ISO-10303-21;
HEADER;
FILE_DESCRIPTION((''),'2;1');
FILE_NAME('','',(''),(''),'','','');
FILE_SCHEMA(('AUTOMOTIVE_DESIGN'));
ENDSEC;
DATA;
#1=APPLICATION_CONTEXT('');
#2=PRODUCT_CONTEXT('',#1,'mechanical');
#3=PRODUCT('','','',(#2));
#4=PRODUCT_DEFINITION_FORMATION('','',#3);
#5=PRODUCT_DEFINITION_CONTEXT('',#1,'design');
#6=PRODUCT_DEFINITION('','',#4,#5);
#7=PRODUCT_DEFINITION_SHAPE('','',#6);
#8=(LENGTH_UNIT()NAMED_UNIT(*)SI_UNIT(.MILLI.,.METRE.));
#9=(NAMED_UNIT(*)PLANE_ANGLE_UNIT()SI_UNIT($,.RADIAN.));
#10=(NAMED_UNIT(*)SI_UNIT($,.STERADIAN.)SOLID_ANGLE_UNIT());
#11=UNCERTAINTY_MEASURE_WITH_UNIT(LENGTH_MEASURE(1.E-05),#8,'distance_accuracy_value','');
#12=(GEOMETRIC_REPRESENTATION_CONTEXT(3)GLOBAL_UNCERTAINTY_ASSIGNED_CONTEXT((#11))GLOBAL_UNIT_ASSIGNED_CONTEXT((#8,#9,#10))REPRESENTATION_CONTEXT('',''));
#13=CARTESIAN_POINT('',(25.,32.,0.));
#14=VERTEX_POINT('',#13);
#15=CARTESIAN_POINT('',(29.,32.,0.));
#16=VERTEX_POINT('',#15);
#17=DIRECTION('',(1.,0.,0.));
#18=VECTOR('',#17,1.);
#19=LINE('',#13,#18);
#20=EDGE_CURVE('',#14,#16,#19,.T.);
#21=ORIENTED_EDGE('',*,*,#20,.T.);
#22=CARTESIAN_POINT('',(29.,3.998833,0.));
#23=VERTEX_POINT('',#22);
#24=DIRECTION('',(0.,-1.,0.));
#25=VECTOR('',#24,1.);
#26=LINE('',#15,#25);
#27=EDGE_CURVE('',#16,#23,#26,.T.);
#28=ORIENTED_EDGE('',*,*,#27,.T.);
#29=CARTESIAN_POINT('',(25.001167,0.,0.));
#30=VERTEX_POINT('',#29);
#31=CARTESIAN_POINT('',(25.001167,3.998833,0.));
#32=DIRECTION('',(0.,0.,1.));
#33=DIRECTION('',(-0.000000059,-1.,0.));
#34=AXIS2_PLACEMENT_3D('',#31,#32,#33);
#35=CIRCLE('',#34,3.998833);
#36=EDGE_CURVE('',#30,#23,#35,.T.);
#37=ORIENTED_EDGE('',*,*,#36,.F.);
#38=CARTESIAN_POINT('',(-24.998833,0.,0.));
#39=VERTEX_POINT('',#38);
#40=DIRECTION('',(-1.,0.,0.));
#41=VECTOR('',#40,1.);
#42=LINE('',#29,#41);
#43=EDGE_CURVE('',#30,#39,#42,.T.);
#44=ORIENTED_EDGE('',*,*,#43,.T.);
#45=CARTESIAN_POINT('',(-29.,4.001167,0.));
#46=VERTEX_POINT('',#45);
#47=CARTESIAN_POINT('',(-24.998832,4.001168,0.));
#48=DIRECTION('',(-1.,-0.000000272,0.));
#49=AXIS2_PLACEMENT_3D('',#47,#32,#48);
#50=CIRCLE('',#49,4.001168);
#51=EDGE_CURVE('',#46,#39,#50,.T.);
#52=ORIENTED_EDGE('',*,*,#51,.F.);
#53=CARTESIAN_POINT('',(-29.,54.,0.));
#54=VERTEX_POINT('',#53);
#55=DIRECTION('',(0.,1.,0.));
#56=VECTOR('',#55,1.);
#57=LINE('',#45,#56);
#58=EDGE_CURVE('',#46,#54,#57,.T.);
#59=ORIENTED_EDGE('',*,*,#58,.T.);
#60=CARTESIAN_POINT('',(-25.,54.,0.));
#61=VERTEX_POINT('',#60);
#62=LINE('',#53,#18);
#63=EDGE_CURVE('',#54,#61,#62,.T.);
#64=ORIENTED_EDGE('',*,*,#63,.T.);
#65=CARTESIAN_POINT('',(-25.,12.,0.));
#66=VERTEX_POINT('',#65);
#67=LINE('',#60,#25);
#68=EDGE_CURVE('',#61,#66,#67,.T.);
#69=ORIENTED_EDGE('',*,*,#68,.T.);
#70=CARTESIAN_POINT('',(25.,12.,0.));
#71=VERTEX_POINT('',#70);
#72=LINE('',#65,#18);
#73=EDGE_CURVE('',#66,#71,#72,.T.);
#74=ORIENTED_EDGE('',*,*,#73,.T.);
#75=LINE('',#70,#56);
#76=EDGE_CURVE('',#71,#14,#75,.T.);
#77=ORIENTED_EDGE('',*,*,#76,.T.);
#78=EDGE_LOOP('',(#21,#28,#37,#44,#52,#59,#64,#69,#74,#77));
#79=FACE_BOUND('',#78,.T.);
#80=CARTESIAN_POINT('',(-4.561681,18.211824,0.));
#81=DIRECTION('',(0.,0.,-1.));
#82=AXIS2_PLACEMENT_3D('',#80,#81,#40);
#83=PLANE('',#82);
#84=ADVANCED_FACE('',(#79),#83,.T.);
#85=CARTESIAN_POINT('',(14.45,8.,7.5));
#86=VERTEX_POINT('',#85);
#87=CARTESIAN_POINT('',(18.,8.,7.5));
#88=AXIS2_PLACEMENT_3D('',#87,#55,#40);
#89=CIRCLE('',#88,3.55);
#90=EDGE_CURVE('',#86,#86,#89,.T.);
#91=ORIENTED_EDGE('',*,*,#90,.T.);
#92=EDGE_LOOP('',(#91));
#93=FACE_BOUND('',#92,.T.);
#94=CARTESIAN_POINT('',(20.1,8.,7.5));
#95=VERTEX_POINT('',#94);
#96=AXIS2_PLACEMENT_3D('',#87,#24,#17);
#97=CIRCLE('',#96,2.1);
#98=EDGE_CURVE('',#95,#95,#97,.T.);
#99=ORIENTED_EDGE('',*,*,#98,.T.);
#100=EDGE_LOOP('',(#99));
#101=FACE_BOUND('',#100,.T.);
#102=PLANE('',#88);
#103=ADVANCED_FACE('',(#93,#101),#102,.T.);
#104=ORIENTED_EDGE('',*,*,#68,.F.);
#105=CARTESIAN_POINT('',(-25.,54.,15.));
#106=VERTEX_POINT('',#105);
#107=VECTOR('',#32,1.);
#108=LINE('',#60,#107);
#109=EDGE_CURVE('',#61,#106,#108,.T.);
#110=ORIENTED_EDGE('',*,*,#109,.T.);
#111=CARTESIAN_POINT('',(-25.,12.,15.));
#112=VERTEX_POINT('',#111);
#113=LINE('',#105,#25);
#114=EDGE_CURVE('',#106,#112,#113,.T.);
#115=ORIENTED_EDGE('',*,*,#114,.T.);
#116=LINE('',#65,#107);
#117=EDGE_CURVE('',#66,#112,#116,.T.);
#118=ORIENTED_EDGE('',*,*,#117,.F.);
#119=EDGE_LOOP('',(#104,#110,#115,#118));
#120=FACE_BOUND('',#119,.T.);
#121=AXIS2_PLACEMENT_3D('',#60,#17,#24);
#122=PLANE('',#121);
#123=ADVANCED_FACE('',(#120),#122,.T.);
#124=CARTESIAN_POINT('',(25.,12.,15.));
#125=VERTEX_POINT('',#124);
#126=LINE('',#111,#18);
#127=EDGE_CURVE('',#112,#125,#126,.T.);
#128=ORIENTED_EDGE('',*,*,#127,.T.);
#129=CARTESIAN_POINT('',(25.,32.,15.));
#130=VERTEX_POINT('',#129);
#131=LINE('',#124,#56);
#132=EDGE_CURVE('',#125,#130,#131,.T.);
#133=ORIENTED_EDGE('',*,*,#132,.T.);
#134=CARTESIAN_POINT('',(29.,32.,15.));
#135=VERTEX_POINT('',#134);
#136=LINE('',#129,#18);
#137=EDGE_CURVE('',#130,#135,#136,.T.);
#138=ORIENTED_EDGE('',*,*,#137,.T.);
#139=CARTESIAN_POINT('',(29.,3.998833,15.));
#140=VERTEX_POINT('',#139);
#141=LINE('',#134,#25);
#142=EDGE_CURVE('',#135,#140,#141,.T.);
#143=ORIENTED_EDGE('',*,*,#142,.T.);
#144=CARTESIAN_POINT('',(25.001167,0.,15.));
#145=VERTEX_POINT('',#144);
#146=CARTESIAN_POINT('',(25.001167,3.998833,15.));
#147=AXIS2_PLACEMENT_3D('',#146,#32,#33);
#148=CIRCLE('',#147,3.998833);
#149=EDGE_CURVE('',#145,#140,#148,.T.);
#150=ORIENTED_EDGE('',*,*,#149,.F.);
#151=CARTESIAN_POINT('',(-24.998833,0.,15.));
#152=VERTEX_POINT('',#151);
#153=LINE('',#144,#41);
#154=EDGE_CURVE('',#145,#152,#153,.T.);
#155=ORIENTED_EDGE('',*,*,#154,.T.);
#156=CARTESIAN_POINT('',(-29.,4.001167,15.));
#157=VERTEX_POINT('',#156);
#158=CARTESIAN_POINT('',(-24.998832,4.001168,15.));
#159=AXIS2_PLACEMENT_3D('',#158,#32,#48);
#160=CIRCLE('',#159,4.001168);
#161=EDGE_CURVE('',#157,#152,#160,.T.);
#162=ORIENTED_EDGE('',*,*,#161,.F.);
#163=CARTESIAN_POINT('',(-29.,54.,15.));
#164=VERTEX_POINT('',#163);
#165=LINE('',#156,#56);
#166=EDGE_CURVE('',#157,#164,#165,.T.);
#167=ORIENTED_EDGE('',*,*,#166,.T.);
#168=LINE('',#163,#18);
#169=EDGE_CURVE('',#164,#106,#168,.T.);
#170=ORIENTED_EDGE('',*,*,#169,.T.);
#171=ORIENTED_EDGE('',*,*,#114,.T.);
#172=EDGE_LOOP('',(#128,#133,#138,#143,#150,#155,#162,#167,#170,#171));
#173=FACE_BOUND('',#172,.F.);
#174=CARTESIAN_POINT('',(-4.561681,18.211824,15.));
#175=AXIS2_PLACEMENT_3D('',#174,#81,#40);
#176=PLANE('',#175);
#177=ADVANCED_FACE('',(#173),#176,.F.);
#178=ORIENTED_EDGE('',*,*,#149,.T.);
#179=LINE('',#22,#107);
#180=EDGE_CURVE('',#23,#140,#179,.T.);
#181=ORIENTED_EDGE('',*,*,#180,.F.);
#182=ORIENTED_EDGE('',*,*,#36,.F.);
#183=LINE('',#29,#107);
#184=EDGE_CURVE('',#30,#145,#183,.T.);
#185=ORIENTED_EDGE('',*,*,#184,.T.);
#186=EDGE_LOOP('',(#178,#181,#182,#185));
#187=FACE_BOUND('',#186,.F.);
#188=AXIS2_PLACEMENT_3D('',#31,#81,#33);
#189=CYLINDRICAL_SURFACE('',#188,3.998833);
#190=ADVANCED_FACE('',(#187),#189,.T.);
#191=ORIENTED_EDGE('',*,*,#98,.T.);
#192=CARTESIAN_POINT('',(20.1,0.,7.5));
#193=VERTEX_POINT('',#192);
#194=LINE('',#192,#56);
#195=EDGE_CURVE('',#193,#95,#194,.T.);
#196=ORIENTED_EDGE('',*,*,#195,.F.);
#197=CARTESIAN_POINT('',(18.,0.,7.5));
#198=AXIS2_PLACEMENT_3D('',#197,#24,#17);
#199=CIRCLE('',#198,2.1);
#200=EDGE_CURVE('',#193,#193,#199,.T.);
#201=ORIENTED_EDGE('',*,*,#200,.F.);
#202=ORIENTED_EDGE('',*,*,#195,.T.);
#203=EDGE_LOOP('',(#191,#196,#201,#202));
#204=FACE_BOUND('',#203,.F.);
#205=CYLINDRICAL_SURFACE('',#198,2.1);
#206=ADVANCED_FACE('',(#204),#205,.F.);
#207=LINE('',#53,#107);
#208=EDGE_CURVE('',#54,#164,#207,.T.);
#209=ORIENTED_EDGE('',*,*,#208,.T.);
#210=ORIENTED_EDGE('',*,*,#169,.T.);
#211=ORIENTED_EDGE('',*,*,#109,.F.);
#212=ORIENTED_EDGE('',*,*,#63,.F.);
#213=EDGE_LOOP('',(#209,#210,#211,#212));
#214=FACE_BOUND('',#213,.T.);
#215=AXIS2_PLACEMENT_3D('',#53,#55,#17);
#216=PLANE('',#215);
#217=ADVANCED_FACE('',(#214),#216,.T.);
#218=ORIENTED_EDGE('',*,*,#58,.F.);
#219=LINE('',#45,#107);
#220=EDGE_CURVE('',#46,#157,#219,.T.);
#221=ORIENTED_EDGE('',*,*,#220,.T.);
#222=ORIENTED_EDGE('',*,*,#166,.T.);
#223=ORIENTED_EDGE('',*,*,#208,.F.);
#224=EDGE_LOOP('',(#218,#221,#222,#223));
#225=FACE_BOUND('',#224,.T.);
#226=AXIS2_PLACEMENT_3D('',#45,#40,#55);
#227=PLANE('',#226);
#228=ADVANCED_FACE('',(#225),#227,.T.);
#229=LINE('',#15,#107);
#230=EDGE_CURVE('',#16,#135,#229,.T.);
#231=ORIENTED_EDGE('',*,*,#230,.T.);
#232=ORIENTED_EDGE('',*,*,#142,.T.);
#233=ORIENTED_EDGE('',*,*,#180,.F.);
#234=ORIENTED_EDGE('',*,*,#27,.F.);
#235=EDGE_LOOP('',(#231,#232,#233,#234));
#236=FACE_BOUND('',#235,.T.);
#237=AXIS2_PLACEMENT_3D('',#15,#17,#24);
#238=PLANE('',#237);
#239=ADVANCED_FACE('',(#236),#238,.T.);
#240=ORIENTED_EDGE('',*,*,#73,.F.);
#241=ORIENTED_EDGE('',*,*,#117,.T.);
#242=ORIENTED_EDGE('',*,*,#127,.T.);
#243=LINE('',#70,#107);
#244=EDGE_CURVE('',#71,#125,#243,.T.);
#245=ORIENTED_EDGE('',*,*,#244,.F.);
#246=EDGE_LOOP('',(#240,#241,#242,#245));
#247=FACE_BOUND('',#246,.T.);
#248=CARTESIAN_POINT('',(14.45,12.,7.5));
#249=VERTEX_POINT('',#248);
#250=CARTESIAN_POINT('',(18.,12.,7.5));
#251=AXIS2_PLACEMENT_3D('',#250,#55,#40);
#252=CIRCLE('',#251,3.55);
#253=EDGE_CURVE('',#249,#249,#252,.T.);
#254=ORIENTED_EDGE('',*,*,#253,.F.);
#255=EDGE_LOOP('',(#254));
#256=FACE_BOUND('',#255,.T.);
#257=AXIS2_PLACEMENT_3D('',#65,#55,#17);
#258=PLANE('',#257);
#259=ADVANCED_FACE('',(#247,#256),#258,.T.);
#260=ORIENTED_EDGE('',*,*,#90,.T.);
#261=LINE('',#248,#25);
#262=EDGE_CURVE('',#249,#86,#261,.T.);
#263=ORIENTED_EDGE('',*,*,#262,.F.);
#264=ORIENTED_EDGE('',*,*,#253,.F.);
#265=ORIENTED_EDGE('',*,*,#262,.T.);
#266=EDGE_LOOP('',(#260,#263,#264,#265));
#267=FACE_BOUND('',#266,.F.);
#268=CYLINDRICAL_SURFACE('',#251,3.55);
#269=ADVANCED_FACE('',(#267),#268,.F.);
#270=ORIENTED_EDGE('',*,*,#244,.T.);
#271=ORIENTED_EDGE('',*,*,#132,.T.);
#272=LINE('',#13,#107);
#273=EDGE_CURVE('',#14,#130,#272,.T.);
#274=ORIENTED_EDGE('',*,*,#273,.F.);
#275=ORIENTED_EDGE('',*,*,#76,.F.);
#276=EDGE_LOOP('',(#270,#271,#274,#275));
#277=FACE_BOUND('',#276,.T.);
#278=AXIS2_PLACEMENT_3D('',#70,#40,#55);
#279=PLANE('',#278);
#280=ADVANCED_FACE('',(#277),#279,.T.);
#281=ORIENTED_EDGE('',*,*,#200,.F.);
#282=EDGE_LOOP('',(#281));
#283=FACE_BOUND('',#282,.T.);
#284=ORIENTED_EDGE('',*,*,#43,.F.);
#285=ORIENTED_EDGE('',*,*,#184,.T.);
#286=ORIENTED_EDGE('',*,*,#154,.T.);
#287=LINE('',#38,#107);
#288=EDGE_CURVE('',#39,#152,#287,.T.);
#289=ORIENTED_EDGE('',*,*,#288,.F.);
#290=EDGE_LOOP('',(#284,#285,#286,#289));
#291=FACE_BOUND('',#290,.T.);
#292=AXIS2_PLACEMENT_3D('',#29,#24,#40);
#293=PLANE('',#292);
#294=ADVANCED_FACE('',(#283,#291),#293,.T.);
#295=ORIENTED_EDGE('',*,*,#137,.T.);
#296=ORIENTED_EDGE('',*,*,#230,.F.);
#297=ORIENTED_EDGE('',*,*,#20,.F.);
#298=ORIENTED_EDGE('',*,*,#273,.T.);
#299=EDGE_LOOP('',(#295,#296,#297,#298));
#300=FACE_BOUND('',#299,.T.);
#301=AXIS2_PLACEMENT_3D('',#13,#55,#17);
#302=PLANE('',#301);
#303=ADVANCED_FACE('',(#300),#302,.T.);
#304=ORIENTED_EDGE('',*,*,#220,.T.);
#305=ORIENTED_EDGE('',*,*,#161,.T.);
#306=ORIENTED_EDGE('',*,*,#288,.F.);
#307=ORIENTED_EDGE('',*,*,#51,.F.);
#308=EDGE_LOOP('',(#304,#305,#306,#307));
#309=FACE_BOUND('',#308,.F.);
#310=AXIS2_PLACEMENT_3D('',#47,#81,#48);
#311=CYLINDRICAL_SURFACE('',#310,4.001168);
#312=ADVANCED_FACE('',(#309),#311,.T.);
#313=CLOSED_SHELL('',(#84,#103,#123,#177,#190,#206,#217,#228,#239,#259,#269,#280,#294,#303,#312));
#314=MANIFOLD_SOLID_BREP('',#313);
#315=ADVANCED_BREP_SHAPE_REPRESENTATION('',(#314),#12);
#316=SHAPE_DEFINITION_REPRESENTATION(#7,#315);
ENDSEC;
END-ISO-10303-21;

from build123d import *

# Parameters (mm, degrees)
PAD_DEPTH       = 15
SKETCH001_R     = 2.1
POCKET_DEPTH    = 54.001
SKETCH002_R     = 3.55
POCKET001_DEPTH = 4


with BuildPart() as part:
    # Sketch → Pad (new body)
    with BuildSketch(Plane.XY):
        with BuildLine():
            Line((-25, 12), (25, 12))
            Line((25, 12), (25, 32))
            Line((25, 32), (29, 32))
            Line((29, 32), (29, 3.998833))
            ThreePointArc((25.001167, 0), (27.828769, 1.171231), (29, 3.998833))
            Line((25.001167, 0), (-24.998833, 0))
            ThreePointArc((-29, 4.001167), (-27.828085, 1.171915), (-24.998833, 0))
            Line((-29, 4.001167), (-29, 54))
            Line((-29, 54), (-25, 54))
            Line((-25, 54), (-25, 12))
        make_face()
    extrude(amount=PAD_DEPTH)

    # Sketch001 → Pocket (cut, through all)
    with BuildSketch(Plane.XZ):
        with Locations((18, 7.5)):
            Circle(SKETCH001_R)
    extrude(amount=-POCKET_DEPTH, mode=Mode.SUBTRACT)

    # Sketch002 → Pocket001 (cut)
    with BuildSketch(Plane(origin=(0, 12, 0), x_dir=(-1, 0, 0), z_dir=(0, 1, 0))):
        with Locations((-18, 7.5)):
            Circle(SKETCH002_R)
    extrude(amount=-POCKET001_DEPTH, mode=Mode.SUBTRACT)


solid = part.part
